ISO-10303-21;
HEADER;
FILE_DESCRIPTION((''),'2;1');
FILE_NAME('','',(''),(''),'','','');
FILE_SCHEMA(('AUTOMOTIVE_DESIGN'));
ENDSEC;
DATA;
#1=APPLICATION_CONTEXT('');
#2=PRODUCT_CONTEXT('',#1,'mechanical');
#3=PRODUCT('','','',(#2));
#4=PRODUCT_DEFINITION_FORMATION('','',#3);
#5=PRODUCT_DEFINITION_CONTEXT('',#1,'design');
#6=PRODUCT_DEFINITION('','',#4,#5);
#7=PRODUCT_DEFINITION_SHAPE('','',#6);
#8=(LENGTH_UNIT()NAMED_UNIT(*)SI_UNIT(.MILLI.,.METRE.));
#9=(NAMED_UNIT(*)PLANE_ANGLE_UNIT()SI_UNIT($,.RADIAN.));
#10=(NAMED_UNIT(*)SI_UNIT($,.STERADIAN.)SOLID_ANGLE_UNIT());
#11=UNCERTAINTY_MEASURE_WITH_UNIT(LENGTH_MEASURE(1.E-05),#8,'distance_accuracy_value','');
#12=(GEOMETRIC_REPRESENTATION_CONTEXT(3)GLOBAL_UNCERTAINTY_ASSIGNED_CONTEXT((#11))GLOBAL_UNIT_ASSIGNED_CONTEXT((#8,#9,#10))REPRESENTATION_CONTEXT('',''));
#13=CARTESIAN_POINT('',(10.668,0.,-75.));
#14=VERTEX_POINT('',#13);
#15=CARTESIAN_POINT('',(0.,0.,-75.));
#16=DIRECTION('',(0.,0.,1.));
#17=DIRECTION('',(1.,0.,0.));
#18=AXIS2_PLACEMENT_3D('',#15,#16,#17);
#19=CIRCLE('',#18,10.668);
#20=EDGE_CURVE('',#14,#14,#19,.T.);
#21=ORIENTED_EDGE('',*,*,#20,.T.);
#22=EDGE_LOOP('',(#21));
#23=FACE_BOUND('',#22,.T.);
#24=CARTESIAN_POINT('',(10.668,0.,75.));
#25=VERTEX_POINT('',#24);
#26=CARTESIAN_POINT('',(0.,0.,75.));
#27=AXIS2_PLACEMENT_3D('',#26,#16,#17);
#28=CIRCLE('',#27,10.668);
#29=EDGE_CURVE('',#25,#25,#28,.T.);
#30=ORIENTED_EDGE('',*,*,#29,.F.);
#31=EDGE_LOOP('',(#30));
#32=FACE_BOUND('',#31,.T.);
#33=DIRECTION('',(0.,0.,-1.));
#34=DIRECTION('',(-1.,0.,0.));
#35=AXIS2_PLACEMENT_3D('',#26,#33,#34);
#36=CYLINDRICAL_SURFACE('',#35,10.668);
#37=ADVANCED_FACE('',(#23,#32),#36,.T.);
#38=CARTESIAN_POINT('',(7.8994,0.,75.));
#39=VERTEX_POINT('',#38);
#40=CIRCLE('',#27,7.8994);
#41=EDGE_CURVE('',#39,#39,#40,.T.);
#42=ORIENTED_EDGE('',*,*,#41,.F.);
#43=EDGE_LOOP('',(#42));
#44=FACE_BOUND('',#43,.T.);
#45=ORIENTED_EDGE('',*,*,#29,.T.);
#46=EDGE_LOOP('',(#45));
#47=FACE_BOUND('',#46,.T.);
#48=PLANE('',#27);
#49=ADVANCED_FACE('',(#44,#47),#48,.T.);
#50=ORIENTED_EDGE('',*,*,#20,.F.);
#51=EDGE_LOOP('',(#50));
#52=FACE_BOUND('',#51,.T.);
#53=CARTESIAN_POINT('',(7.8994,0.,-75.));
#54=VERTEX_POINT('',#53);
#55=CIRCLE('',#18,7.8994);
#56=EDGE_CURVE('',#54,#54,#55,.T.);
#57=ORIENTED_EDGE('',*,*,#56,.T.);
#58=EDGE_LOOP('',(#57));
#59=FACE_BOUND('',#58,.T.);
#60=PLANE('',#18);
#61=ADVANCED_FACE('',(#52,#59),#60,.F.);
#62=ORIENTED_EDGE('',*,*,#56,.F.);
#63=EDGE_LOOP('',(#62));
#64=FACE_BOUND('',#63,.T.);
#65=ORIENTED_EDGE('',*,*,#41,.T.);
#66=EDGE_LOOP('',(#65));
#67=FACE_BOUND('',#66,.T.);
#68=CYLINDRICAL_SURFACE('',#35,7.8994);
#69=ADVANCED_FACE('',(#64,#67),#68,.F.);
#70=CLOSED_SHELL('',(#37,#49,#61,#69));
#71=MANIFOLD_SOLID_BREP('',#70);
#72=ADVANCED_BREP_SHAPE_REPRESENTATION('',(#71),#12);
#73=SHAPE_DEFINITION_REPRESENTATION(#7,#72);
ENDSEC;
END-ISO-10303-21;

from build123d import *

# Parameters (mm, degrees)
SKETCH1_R           = 10.668
SKETCH1_R_2         = 7.8994
EXTRUDE_THIN1_DEPTH = 75


with BuildPart() as part:
    # Sketch1 → Extrude-Thin1 (new body, symmetric)
    with BuildSketch(Plane.XY):
        Circle(SKETCH1_R)
        Circle(SKETCH1_R_2, mode=Mode.SUBTRACT)
    extrude(amount=EXTRUDE_THIN1_DEPTH, both=True)


solid = part.part
